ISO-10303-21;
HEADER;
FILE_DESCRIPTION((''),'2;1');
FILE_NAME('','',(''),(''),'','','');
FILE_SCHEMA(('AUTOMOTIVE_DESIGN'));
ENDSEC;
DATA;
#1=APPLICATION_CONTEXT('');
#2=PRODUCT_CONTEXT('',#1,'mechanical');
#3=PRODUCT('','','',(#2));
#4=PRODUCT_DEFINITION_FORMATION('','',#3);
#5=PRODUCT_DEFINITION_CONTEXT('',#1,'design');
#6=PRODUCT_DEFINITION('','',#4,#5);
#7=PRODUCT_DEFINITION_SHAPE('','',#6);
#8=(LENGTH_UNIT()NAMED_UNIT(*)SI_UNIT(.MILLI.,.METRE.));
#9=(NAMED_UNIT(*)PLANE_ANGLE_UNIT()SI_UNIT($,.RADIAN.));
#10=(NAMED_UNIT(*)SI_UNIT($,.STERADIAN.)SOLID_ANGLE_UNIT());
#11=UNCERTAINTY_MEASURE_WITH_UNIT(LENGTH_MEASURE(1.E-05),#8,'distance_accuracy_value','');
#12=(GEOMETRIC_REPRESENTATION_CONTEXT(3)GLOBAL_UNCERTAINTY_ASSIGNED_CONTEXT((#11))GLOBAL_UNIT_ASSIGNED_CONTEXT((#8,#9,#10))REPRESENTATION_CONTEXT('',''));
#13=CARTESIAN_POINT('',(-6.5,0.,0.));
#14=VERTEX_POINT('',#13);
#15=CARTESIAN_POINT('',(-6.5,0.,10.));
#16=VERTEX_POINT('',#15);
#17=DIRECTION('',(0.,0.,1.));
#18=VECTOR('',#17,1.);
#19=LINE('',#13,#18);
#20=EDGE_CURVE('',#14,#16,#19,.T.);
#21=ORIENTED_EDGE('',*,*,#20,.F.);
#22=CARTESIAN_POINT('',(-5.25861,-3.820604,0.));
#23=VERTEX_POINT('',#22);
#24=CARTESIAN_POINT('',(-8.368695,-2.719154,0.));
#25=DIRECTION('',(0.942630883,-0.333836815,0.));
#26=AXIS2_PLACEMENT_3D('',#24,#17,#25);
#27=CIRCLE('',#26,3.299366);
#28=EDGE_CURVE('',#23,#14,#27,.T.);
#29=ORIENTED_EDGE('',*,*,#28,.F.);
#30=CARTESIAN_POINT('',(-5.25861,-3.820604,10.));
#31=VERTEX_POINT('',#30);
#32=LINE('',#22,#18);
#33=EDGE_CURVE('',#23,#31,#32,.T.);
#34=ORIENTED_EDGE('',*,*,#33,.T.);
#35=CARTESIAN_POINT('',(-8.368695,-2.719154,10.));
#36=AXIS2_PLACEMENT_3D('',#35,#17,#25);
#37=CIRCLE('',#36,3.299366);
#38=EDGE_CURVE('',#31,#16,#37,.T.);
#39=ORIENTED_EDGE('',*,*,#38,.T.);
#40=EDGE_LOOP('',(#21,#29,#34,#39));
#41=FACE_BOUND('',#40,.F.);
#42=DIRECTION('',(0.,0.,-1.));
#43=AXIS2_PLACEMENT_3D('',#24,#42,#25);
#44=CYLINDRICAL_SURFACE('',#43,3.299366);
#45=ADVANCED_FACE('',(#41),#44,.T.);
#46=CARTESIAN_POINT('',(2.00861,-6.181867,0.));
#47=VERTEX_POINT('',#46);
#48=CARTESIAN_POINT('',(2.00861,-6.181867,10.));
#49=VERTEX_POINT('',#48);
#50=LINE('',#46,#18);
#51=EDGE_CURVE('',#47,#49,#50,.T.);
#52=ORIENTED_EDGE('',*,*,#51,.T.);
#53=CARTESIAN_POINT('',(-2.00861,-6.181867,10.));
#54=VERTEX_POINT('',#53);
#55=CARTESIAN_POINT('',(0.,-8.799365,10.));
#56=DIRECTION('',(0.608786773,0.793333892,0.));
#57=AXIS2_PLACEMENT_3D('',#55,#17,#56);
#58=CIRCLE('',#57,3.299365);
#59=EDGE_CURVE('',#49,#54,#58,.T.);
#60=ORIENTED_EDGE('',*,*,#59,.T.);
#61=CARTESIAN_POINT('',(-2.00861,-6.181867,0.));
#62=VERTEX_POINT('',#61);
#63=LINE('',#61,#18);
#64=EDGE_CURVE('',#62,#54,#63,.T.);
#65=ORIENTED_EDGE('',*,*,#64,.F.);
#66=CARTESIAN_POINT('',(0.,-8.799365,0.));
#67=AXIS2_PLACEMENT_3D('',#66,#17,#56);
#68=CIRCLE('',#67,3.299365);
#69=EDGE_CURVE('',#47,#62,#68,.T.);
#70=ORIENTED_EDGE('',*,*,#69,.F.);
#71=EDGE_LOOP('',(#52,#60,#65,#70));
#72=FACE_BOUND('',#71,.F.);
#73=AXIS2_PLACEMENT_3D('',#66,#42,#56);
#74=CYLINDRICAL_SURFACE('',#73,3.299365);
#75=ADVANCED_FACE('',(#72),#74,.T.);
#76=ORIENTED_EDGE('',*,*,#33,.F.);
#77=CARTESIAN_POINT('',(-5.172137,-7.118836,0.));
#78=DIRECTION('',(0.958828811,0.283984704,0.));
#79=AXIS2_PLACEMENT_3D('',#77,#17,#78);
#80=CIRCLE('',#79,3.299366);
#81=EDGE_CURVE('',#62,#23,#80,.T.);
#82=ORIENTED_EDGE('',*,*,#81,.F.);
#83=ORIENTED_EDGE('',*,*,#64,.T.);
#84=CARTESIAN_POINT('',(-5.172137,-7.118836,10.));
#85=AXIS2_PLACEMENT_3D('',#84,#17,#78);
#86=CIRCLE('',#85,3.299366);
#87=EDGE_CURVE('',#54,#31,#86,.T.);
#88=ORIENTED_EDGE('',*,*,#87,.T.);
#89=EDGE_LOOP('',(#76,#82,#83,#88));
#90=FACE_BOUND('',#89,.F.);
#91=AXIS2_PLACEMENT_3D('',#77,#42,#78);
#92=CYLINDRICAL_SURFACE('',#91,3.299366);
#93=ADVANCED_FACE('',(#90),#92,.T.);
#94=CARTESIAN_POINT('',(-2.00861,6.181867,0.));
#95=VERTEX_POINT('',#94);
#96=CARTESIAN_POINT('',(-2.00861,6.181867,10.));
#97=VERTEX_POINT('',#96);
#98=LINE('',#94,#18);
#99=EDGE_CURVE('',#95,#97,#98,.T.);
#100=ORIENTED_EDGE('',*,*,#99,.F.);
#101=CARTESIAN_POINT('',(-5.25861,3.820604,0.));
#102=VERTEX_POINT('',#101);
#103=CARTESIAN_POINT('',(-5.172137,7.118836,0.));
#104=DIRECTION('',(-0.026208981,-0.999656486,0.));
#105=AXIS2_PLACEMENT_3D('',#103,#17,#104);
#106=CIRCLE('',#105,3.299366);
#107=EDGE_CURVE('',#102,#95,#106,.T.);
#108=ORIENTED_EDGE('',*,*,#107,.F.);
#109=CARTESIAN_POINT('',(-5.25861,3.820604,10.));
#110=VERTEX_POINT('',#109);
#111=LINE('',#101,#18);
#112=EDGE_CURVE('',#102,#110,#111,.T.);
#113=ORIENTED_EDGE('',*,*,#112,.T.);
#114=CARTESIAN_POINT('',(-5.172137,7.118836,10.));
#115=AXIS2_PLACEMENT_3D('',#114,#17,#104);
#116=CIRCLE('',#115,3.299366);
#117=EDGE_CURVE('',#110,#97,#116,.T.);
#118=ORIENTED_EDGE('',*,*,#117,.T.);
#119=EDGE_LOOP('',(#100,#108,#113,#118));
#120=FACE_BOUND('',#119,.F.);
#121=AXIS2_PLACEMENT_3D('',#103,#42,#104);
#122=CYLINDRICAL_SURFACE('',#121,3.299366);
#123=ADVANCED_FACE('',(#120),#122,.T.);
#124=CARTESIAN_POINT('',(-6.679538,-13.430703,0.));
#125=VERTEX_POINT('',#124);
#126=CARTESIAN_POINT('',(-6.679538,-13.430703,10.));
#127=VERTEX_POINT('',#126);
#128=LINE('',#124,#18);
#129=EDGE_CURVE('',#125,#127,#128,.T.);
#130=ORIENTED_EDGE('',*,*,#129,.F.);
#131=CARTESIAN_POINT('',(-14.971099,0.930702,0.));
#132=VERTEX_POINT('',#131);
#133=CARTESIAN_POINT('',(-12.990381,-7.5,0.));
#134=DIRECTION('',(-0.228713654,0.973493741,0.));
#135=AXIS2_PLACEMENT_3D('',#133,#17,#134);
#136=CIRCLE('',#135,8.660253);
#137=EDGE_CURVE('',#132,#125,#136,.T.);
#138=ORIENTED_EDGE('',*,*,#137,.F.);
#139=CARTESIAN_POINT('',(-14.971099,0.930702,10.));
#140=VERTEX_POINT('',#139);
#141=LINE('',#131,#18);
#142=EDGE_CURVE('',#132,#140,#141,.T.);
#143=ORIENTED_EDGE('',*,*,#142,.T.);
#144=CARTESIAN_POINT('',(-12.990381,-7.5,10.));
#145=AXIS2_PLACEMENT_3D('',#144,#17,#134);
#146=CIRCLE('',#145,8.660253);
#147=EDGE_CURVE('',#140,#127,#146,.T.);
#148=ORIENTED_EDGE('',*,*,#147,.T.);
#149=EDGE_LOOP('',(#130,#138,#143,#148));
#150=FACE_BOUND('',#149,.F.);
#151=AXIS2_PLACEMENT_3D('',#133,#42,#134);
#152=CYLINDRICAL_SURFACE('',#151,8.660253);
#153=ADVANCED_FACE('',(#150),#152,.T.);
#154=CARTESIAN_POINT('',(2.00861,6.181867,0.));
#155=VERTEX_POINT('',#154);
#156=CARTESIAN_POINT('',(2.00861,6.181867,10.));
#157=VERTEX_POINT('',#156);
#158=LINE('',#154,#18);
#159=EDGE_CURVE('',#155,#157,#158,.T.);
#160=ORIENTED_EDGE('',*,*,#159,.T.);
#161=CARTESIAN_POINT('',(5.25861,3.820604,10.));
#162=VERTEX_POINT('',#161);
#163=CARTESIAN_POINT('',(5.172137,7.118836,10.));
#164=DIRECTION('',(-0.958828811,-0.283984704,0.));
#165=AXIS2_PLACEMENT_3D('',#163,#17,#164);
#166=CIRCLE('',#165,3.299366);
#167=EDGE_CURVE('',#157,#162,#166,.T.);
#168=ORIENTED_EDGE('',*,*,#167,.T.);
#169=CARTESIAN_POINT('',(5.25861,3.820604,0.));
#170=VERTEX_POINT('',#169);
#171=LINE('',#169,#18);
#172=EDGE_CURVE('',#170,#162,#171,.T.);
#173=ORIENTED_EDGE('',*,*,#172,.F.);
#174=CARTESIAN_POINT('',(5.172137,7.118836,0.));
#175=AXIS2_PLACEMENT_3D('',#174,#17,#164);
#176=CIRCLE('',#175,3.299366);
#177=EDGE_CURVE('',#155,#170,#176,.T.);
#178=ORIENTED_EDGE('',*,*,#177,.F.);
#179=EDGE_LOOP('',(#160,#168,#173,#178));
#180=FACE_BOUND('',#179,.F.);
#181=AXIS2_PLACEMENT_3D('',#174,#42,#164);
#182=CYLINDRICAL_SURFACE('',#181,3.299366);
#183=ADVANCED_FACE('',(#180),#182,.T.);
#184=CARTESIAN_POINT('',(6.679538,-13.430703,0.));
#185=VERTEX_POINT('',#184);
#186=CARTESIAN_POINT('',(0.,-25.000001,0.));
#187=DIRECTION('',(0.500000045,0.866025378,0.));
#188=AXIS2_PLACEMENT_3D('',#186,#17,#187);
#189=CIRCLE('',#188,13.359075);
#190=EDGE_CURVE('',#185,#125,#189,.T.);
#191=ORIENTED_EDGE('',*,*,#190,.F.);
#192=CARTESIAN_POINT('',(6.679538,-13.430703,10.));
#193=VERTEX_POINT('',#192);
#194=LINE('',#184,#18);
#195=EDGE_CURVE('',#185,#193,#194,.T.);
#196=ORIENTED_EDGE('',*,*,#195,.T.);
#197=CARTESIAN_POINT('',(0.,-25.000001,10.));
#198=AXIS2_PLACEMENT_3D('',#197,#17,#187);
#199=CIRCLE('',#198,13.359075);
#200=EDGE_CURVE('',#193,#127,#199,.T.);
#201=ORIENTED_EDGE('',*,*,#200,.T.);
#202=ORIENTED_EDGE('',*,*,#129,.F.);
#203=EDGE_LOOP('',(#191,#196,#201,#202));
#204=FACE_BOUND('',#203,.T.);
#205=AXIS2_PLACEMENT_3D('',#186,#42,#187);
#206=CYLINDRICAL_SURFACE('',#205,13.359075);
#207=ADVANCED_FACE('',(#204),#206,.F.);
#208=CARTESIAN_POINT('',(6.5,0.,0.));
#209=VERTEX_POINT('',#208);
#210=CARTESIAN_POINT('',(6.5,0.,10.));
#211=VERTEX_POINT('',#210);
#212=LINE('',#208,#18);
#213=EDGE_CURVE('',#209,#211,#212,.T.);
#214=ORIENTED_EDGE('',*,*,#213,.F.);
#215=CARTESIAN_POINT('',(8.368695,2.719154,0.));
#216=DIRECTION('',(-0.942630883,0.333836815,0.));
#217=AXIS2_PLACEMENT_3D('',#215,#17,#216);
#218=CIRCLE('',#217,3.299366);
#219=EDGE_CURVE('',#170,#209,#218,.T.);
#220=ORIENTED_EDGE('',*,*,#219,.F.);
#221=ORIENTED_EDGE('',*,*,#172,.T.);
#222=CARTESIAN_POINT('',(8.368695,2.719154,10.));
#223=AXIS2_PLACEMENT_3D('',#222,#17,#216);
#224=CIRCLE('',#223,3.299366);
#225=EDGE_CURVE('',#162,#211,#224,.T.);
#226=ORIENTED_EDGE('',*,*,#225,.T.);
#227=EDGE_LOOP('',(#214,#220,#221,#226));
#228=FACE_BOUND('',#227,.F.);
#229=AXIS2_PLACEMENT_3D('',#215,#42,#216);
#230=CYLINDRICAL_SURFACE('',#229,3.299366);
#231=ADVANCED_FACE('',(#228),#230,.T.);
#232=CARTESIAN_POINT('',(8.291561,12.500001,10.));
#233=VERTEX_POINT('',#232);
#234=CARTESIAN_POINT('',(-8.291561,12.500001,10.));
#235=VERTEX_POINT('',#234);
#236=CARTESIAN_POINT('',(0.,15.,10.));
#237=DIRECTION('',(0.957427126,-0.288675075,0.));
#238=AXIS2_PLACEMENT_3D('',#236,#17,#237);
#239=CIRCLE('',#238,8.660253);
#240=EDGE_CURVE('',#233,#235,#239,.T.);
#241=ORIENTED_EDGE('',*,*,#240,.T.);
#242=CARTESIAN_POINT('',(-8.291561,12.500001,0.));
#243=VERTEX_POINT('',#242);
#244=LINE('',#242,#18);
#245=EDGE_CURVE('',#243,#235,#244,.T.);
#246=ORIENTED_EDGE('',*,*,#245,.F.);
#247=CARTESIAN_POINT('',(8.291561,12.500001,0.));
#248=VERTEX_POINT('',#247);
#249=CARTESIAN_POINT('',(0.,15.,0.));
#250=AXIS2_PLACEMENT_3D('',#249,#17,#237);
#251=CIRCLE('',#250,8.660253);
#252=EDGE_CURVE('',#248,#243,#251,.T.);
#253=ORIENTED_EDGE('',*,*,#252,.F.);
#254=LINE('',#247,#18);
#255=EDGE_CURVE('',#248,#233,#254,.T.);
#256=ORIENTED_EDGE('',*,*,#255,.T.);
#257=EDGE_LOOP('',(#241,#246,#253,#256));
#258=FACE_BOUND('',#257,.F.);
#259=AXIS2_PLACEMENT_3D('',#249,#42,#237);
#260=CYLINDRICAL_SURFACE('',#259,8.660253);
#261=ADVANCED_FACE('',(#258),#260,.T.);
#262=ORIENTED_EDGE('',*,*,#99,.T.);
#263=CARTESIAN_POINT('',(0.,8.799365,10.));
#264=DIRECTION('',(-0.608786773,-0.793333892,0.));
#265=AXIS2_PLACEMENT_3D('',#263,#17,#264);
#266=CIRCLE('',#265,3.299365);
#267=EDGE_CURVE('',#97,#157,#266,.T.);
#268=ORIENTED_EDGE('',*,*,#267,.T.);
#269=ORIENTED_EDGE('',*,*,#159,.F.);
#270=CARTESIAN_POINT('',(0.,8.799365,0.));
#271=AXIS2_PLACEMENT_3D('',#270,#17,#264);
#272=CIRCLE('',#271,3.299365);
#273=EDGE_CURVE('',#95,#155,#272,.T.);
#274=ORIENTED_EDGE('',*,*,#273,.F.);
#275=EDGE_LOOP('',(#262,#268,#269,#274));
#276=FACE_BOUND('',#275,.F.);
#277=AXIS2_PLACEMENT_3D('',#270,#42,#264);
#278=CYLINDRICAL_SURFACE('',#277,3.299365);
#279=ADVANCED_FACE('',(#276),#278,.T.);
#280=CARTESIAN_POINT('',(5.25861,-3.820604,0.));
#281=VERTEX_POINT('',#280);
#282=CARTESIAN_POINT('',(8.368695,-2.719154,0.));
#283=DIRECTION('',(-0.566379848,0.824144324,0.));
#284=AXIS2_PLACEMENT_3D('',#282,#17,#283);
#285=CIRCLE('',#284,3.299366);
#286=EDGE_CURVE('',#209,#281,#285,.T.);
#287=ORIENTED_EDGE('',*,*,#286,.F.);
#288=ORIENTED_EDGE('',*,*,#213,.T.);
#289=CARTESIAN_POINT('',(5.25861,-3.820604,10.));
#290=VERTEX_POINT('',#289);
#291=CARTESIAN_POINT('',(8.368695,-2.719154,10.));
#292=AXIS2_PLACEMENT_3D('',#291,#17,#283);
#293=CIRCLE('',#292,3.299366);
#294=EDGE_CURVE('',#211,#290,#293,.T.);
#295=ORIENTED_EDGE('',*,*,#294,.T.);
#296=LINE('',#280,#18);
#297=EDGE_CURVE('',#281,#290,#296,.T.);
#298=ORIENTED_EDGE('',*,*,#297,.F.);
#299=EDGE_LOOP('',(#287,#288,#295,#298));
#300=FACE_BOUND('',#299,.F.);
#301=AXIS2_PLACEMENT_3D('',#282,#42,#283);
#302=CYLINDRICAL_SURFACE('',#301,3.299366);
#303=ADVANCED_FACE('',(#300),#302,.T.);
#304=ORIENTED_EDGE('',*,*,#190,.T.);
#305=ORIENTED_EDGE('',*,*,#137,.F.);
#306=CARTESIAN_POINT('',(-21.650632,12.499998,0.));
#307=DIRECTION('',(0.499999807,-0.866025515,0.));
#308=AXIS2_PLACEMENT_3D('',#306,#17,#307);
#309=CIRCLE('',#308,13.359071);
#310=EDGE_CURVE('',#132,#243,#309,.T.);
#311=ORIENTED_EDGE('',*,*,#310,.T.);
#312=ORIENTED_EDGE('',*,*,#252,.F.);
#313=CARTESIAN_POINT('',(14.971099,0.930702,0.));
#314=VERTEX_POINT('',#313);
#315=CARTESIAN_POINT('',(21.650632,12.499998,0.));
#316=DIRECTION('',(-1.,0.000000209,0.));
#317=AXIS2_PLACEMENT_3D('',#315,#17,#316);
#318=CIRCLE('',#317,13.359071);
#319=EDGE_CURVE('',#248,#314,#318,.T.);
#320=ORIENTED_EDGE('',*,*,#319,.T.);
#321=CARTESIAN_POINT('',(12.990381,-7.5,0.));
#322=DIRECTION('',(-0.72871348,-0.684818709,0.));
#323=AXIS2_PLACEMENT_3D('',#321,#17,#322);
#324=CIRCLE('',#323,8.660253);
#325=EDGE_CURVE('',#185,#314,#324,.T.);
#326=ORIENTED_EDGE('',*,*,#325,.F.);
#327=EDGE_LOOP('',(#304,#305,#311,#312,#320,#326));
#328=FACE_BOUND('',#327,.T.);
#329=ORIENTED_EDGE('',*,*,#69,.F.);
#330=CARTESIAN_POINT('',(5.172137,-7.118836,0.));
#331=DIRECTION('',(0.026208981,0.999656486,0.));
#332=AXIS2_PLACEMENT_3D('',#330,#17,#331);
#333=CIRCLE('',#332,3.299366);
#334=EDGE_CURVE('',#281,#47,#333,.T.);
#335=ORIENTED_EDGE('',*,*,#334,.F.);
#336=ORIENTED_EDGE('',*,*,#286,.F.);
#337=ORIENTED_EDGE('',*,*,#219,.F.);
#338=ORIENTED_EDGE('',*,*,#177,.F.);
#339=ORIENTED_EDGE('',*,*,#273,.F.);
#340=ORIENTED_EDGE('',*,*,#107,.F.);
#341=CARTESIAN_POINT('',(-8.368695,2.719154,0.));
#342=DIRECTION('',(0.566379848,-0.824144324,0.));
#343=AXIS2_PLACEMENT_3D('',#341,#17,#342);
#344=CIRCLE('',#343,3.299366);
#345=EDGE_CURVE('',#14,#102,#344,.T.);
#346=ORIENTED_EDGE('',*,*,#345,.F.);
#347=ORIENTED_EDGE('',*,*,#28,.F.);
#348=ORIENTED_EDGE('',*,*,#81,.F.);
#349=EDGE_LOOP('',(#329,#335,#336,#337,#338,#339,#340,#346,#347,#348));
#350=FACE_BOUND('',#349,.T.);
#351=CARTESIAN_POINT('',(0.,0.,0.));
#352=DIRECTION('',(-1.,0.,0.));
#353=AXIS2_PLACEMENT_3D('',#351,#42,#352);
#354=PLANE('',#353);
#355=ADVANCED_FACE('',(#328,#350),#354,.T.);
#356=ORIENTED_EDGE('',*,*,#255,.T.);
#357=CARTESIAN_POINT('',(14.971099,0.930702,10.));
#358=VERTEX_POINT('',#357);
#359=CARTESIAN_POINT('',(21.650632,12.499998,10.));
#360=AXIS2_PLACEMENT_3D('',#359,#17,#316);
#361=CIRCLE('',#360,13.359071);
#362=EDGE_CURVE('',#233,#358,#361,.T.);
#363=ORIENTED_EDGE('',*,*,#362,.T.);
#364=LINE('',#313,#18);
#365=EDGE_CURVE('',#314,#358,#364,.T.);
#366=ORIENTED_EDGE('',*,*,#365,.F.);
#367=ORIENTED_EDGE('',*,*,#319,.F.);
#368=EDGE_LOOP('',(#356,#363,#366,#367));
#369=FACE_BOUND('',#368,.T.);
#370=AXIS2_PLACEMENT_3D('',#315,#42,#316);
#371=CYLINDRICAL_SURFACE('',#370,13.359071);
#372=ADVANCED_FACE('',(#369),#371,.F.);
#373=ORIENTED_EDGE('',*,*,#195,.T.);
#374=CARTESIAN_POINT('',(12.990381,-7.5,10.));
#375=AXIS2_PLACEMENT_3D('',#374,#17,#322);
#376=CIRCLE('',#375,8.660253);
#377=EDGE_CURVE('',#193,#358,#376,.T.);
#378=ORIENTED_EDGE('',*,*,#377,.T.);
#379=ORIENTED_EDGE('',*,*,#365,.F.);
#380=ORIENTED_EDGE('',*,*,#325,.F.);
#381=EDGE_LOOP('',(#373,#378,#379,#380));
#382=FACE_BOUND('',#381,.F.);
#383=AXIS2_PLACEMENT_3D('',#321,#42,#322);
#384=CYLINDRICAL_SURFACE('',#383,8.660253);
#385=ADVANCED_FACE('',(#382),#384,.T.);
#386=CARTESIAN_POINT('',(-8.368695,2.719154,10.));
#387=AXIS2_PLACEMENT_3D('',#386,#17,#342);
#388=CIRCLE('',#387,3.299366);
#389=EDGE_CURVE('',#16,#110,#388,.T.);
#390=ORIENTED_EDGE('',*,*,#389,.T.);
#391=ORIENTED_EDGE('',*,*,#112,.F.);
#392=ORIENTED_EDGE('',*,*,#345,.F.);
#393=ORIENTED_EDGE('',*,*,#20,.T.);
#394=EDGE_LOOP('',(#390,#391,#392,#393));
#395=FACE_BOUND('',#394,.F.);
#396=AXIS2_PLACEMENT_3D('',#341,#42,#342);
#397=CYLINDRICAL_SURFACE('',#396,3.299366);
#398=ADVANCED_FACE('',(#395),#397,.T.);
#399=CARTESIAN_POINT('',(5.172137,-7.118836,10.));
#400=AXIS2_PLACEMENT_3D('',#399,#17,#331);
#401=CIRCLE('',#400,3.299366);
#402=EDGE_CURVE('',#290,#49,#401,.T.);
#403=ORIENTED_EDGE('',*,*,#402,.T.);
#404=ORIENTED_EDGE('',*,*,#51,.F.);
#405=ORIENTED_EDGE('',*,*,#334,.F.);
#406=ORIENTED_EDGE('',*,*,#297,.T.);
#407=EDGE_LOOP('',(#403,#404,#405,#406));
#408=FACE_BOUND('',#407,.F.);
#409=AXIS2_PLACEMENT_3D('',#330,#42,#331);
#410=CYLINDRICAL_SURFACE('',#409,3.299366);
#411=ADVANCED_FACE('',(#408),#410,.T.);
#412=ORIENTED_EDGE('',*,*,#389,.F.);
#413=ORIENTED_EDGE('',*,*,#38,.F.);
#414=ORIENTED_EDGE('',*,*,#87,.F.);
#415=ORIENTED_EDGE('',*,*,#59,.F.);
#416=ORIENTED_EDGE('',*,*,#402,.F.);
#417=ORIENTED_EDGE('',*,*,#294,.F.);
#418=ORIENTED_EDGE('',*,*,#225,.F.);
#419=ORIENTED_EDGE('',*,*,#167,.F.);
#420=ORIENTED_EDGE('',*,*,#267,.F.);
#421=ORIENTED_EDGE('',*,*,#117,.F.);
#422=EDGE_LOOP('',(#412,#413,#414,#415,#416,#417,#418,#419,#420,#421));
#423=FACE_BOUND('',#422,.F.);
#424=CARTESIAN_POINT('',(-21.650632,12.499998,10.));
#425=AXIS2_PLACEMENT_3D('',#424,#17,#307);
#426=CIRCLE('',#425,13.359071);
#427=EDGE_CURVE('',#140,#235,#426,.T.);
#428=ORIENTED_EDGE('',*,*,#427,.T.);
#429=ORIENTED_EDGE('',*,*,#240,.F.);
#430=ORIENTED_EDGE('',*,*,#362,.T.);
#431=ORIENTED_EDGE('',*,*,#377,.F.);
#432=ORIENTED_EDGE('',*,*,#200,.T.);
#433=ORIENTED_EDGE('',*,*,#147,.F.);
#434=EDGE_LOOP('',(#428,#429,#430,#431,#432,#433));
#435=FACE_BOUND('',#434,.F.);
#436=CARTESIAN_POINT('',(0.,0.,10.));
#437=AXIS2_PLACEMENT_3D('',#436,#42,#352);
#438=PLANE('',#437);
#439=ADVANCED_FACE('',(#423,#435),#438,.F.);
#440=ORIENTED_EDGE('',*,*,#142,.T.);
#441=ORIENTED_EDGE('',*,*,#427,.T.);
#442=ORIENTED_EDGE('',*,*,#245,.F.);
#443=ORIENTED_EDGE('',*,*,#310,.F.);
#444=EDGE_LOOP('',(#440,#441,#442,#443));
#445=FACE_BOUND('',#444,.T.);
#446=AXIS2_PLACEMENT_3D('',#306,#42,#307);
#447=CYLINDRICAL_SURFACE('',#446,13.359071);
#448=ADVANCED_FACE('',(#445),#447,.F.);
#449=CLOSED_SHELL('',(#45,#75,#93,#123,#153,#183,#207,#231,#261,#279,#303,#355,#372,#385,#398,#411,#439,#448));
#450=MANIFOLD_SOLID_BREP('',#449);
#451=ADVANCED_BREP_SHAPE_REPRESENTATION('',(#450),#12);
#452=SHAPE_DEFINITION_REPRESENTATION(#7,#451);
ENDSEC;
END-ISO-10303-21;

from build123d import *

# Parameters (mm, degrees)
PAD_DEPTH = 10


with BuildPart() as part:
    # Sketch → Pad (new body)
    with BuildSketch(Plane.XY):
        with BuildLine():
            ThreePointArc((8.291561, 12.500001), (10.081337, 5.820463), (14.971099, 0.930702))
            ThreePointArc((6.679538, -13.430703), (20.49038, -11.830126), (14.971099, 0.930702))
            ThreePointArc((6.679538, -13.430703), (0, -11.640926), (-6.679538, -13.430703))
            ThreePointArc((-14.971099, 0.930702), (-20.49038, -11.830126), (-6.679538, -13.430703))
            ThreePointArc((-14.971099, 0.930702), (-10.081337, 5.820463), (-8.291561, 12.500001))
            ThreePointArc((8.291561, 12.500001), (0, 23.660253), (-8.291561, 12.500001))
        make_face()
        with BuildLine():
            ThreePointArc((-6.5, 0), (-5.230811, 1.699593), (-5.25861, 3.820604))
            ThreePointArc((-5.25861, 3.820604), (-3.232819, 4.449593), (-2.00861, 6.181867))
            ThreePointArc((-2.00861, 6.181867), (0, 5.5), (2.00861, 6.181867))
            ThreePointArc((2.00861, 6.181867), (3.232819, 4.449593), (5.25861, 3.820604))
            ThreePointArc((5.25861, 3.820604), (5.230811, 1.699593), (6.5, 0))
            ThreePointArc((6.5, 0), (5.230811, -1.699593), (5.25861, -3.820604))
            ThreePointArc((5.25861, -3.820604), (3.232819, -4.449593), (2.00861, -6.181867))
            ThreePointArc((2.00861, -6.181867), (0, -5.5), (-2.00861, -6.181867))
            ThreePointArc((-2.00861, -6.181867), (-3.232819, -4.449593), (-5.25861, -3.820604))
            ThreePointArc((-5.25861, -3.820604), (-5.230811, -1.699593), (-6.5, 0))
        make_face(mode=Mode.SUBTRACT)
    extrude(amount=PAD_DEPTH)


solid = part.part
